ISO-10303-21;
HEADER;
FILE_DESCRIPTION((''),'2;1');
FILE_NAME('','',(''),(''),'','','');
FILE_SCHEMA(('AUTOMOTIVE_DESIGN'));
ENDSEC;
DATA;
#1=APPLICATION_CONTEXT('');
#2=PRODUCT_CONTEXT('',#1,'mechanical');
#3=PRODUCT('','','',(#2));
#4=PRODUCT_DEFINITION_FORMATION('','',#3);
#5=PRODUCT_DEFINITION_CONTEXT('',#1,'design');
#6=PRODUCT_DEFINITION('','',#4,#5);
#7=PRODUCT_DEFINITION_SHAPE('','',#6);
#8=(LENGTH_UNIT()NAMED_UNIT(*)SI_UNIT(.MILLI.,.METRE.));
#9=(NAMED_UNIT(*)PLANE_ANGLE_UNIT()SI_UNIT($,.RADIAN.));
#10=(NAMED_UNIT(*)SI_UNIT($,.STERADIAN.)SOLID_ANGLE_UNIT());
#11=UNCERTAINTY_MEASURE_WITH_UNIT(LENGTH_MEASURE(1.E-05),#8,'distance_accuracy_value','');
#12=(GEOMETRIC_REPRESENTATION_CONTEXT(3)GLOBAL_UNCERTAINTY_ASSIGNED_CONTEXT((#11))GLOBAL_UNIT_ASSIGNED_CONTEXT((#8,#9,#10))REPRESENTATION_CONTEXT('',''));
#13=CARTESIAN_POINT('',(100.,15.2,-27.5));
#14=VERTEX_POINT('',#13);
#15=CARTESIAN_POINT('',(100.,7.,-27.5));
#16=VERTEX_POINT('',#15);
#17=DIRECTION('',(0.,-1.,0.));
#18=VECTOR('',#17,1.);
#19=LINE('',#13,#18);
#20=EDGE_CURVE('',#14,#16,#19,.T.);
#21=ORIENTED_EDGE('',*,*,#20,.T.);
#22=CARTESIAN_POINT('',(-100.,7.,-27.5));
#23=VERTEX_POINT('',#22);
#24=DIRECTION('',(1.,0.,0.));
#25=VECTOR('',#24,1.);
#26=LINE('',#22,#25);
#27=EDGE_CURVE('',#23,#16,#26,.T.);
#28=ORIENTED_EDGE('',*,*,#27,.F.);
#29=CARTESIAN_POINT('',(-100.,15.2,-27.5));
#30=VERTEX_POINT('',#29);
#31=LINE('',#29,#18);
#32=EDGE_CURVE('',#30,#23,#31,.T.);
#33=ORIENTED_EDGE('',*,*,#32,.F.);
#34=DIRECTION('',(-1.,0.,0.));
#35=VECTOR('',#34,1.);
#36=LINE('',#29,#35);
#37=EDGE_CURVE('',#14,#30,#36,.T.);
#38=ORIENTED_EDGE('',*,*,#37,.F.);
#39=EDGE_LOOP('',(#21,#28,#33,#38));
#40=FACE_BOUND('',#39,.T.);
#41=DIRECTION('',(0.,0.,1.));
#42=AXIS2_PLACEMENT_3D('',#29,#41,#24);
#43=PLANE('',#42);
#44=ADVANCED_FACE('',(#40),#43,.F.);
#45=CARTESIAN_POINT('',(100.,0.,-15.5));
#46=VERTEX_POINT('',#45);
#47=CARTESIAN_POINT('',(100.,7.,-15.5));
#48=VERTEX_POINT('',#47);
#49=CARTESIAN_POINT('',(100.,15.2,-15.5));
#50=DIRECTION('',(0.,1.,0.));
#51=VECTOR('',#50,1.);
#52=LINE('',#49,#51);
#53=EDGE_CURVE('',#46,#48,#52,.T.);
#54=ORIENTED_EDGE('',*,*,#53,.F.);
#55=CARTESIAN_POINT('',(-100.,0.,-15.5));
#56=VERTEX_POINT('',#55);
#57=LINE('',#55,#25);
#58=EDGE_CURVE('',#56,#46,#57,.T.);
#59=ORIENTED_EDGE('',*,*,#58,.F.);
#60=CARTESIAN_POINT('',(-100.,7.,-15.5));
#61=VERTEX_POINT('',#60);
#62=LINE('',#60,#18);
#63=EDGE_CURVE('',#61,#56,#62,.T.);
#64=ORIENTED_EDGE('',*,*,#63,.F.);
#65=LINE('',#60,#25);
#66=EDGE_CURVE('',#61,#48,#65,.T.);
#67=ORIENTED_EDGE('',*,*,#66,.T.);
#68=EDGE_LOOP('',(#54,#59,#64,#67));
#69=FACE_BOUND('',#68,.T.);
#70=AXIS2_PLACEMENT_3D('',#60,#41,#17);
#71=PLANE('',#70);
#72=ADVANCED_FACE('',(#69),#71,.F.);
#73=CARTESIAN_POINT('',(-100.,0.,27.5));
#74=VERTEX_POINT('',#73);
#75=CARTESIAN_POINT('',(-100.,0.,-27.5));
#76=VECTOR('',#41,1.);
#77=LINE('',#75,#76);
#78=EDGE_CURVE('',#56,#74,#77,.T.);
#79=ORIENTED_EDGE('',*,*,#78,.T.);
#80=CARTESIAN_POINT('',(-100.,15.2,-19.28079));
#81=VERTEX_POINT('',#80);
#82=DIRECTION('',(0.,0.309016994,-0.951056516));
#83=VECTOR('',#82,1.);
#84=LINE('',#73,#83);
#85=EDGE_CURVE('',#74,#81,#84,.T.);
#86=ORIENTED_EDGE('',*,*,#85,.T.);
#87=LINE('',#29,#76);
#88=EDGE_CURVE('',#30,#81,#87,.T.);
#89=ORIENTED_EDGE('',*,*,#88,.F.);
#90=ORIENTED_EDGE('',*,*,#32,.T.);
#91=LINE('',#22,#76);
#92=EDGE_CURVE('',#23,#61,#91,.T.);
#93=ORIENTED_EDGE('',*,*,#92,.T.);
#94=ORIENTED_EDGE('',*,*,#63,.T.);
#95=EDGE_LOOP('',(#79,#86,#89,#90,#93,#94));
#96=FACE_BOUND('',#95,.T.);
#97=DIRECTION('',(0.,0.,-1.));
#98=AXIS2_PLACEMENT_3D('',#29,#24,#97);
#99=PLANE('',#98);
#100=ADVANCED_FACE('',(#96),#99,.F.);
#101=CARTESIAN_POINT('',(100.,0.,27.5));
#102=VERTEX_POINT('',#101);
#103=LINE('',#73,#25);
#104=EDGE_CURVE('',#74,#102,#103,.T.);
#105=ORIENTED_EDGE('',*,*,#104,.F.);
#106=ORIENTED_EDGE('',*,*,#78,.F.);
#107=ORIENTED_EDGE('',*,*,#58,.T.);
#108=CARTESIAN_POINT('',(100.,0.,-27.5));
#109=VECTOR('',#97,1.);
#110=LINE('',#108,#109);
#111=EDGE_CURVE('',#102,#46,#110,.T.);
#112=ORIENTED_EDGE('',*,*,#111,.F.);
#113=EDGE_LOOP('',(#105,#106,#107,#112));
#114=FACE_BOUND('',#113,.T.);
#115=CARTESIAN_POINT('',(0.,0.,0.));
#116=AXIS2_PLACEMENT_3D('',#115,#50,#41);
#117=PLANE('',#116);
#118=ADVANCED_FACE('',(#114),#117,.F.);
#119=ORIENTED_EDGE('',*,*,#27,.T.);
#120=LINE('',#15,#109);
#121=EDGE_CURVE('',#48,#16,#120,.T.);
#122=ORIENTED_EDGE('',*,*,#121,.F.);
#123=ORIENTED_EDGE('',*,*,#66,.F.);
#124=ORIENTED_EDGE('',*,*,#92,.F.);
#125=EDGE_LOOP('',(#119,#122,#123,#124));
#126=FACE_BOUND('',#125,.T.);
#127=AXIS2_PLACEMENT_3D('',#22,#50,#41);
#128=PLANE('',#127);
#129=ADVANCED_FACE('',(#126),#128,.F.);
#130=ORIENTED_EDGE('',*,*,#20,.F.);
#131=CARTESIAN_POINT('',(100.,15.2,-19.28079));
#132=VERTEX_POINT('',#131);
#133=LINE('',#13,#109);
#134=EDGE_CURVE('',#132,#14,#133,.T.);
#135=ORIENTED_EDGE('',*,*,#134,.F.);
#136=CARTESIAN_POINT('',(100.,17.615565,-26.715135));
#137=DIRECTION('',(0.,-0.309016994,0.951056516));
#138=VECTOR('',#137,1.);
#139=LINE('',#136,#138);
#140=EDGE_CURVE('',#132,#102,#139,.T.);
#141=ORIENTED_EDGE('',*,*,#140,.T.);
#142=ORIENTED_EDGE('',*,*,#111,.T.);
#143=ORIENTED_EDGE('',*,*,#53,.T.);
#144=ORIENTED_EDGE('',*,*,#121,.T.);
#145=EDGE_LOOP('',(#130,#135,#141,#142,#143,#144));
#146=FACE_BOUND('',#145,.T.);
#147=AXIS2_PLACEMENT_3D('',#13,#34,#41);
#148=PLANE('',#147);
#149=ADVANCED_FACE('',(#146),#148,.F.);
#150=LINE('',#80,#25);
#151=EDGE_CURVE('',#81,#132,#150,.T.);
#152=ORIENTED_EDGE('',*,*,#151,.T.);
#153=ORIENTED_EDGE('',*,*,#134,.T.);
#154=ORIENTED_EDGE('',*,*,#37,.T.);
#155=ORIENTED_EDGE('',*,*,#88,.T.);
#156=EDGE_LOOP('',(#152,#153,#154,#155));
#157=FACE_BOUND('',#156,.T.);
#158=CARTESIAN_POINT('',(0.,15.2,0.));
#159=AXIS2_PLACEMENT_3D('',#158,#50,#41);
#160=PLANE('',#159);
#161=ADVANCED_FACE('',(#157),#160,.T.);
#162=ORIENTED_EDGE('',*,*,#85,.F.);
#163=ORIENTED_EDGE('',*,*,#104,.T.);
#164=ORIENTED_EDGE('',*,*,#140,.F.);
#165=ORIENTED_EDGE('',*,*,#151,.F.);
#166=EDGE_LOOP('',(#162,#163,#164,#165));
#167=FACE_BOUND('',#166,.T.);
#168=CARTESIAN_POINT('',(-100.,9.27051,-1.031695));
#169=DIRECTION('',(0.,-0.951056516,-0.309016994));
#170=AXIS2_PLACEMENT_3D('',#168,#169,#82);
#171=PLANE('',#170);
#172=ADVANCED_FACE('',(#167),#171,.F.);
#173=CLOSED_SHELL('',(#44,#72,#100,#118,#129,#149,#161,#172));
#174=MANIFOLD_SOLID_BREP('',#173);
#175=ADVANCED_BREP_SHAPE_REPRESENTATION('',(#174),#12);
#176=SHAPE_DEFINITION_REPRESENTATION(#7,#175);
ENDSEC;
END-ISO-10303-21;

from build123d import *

# Parameters (mm, degrees)
CROQUIS1_W                 = 200
CROQUIS1_H                 = 55
SALIENTE_EXTRUIR1_DEPTH    = 15.2
CORTAR_EXTRUIR1_DEPTH      = 203.453179773
CORTAR_EXTRUIR1_DEPTH_BACK = 203.453179773
CROQUIS2_W                 = 12
CROQUIS2_H                 = 7


with BuildPart() as part:
    # Croquis1 → Saliente-Extruir1 (new body)
    with BuildSketch(Plane(origin=(0, 0, 0), x_dir=(1, 0, 0), z_dir=(0, 1, 0))):
        Rectangle(CROQUIS1_W, CROQUIS1_H)
    extrude(amount=SALIENTE_EXTRUIR1_DEPTH)

    # Croquis2 → Cortar-Extruir1 (cut, two sides: drawn at the far end of the back side and taken through both)
    with BuildSketch(Plane(origin=(100, 0, 0), x_dir=(0, 0, -1), z_dir=(1, 0, 0)).offset(-CORTAR_EXTRUIR1_DEPTH_BACK)):
        Polygon((-27.5, 0), (1.031695489, 9.270509831), (19.280789765, 15.2), (-27.5, 15.2), align=None)
        with Locations((21.5, 3.5)):
            Rectangle(CROQUIS2_W, CROQUIS2_H)
    extrude(amount=CORTAR_EXTRUIR1_DEPTH + CORTAR_EXTRUIR1_DEPTH_BACK, mode=Mode.SUBTRACT)


solid = part.part
